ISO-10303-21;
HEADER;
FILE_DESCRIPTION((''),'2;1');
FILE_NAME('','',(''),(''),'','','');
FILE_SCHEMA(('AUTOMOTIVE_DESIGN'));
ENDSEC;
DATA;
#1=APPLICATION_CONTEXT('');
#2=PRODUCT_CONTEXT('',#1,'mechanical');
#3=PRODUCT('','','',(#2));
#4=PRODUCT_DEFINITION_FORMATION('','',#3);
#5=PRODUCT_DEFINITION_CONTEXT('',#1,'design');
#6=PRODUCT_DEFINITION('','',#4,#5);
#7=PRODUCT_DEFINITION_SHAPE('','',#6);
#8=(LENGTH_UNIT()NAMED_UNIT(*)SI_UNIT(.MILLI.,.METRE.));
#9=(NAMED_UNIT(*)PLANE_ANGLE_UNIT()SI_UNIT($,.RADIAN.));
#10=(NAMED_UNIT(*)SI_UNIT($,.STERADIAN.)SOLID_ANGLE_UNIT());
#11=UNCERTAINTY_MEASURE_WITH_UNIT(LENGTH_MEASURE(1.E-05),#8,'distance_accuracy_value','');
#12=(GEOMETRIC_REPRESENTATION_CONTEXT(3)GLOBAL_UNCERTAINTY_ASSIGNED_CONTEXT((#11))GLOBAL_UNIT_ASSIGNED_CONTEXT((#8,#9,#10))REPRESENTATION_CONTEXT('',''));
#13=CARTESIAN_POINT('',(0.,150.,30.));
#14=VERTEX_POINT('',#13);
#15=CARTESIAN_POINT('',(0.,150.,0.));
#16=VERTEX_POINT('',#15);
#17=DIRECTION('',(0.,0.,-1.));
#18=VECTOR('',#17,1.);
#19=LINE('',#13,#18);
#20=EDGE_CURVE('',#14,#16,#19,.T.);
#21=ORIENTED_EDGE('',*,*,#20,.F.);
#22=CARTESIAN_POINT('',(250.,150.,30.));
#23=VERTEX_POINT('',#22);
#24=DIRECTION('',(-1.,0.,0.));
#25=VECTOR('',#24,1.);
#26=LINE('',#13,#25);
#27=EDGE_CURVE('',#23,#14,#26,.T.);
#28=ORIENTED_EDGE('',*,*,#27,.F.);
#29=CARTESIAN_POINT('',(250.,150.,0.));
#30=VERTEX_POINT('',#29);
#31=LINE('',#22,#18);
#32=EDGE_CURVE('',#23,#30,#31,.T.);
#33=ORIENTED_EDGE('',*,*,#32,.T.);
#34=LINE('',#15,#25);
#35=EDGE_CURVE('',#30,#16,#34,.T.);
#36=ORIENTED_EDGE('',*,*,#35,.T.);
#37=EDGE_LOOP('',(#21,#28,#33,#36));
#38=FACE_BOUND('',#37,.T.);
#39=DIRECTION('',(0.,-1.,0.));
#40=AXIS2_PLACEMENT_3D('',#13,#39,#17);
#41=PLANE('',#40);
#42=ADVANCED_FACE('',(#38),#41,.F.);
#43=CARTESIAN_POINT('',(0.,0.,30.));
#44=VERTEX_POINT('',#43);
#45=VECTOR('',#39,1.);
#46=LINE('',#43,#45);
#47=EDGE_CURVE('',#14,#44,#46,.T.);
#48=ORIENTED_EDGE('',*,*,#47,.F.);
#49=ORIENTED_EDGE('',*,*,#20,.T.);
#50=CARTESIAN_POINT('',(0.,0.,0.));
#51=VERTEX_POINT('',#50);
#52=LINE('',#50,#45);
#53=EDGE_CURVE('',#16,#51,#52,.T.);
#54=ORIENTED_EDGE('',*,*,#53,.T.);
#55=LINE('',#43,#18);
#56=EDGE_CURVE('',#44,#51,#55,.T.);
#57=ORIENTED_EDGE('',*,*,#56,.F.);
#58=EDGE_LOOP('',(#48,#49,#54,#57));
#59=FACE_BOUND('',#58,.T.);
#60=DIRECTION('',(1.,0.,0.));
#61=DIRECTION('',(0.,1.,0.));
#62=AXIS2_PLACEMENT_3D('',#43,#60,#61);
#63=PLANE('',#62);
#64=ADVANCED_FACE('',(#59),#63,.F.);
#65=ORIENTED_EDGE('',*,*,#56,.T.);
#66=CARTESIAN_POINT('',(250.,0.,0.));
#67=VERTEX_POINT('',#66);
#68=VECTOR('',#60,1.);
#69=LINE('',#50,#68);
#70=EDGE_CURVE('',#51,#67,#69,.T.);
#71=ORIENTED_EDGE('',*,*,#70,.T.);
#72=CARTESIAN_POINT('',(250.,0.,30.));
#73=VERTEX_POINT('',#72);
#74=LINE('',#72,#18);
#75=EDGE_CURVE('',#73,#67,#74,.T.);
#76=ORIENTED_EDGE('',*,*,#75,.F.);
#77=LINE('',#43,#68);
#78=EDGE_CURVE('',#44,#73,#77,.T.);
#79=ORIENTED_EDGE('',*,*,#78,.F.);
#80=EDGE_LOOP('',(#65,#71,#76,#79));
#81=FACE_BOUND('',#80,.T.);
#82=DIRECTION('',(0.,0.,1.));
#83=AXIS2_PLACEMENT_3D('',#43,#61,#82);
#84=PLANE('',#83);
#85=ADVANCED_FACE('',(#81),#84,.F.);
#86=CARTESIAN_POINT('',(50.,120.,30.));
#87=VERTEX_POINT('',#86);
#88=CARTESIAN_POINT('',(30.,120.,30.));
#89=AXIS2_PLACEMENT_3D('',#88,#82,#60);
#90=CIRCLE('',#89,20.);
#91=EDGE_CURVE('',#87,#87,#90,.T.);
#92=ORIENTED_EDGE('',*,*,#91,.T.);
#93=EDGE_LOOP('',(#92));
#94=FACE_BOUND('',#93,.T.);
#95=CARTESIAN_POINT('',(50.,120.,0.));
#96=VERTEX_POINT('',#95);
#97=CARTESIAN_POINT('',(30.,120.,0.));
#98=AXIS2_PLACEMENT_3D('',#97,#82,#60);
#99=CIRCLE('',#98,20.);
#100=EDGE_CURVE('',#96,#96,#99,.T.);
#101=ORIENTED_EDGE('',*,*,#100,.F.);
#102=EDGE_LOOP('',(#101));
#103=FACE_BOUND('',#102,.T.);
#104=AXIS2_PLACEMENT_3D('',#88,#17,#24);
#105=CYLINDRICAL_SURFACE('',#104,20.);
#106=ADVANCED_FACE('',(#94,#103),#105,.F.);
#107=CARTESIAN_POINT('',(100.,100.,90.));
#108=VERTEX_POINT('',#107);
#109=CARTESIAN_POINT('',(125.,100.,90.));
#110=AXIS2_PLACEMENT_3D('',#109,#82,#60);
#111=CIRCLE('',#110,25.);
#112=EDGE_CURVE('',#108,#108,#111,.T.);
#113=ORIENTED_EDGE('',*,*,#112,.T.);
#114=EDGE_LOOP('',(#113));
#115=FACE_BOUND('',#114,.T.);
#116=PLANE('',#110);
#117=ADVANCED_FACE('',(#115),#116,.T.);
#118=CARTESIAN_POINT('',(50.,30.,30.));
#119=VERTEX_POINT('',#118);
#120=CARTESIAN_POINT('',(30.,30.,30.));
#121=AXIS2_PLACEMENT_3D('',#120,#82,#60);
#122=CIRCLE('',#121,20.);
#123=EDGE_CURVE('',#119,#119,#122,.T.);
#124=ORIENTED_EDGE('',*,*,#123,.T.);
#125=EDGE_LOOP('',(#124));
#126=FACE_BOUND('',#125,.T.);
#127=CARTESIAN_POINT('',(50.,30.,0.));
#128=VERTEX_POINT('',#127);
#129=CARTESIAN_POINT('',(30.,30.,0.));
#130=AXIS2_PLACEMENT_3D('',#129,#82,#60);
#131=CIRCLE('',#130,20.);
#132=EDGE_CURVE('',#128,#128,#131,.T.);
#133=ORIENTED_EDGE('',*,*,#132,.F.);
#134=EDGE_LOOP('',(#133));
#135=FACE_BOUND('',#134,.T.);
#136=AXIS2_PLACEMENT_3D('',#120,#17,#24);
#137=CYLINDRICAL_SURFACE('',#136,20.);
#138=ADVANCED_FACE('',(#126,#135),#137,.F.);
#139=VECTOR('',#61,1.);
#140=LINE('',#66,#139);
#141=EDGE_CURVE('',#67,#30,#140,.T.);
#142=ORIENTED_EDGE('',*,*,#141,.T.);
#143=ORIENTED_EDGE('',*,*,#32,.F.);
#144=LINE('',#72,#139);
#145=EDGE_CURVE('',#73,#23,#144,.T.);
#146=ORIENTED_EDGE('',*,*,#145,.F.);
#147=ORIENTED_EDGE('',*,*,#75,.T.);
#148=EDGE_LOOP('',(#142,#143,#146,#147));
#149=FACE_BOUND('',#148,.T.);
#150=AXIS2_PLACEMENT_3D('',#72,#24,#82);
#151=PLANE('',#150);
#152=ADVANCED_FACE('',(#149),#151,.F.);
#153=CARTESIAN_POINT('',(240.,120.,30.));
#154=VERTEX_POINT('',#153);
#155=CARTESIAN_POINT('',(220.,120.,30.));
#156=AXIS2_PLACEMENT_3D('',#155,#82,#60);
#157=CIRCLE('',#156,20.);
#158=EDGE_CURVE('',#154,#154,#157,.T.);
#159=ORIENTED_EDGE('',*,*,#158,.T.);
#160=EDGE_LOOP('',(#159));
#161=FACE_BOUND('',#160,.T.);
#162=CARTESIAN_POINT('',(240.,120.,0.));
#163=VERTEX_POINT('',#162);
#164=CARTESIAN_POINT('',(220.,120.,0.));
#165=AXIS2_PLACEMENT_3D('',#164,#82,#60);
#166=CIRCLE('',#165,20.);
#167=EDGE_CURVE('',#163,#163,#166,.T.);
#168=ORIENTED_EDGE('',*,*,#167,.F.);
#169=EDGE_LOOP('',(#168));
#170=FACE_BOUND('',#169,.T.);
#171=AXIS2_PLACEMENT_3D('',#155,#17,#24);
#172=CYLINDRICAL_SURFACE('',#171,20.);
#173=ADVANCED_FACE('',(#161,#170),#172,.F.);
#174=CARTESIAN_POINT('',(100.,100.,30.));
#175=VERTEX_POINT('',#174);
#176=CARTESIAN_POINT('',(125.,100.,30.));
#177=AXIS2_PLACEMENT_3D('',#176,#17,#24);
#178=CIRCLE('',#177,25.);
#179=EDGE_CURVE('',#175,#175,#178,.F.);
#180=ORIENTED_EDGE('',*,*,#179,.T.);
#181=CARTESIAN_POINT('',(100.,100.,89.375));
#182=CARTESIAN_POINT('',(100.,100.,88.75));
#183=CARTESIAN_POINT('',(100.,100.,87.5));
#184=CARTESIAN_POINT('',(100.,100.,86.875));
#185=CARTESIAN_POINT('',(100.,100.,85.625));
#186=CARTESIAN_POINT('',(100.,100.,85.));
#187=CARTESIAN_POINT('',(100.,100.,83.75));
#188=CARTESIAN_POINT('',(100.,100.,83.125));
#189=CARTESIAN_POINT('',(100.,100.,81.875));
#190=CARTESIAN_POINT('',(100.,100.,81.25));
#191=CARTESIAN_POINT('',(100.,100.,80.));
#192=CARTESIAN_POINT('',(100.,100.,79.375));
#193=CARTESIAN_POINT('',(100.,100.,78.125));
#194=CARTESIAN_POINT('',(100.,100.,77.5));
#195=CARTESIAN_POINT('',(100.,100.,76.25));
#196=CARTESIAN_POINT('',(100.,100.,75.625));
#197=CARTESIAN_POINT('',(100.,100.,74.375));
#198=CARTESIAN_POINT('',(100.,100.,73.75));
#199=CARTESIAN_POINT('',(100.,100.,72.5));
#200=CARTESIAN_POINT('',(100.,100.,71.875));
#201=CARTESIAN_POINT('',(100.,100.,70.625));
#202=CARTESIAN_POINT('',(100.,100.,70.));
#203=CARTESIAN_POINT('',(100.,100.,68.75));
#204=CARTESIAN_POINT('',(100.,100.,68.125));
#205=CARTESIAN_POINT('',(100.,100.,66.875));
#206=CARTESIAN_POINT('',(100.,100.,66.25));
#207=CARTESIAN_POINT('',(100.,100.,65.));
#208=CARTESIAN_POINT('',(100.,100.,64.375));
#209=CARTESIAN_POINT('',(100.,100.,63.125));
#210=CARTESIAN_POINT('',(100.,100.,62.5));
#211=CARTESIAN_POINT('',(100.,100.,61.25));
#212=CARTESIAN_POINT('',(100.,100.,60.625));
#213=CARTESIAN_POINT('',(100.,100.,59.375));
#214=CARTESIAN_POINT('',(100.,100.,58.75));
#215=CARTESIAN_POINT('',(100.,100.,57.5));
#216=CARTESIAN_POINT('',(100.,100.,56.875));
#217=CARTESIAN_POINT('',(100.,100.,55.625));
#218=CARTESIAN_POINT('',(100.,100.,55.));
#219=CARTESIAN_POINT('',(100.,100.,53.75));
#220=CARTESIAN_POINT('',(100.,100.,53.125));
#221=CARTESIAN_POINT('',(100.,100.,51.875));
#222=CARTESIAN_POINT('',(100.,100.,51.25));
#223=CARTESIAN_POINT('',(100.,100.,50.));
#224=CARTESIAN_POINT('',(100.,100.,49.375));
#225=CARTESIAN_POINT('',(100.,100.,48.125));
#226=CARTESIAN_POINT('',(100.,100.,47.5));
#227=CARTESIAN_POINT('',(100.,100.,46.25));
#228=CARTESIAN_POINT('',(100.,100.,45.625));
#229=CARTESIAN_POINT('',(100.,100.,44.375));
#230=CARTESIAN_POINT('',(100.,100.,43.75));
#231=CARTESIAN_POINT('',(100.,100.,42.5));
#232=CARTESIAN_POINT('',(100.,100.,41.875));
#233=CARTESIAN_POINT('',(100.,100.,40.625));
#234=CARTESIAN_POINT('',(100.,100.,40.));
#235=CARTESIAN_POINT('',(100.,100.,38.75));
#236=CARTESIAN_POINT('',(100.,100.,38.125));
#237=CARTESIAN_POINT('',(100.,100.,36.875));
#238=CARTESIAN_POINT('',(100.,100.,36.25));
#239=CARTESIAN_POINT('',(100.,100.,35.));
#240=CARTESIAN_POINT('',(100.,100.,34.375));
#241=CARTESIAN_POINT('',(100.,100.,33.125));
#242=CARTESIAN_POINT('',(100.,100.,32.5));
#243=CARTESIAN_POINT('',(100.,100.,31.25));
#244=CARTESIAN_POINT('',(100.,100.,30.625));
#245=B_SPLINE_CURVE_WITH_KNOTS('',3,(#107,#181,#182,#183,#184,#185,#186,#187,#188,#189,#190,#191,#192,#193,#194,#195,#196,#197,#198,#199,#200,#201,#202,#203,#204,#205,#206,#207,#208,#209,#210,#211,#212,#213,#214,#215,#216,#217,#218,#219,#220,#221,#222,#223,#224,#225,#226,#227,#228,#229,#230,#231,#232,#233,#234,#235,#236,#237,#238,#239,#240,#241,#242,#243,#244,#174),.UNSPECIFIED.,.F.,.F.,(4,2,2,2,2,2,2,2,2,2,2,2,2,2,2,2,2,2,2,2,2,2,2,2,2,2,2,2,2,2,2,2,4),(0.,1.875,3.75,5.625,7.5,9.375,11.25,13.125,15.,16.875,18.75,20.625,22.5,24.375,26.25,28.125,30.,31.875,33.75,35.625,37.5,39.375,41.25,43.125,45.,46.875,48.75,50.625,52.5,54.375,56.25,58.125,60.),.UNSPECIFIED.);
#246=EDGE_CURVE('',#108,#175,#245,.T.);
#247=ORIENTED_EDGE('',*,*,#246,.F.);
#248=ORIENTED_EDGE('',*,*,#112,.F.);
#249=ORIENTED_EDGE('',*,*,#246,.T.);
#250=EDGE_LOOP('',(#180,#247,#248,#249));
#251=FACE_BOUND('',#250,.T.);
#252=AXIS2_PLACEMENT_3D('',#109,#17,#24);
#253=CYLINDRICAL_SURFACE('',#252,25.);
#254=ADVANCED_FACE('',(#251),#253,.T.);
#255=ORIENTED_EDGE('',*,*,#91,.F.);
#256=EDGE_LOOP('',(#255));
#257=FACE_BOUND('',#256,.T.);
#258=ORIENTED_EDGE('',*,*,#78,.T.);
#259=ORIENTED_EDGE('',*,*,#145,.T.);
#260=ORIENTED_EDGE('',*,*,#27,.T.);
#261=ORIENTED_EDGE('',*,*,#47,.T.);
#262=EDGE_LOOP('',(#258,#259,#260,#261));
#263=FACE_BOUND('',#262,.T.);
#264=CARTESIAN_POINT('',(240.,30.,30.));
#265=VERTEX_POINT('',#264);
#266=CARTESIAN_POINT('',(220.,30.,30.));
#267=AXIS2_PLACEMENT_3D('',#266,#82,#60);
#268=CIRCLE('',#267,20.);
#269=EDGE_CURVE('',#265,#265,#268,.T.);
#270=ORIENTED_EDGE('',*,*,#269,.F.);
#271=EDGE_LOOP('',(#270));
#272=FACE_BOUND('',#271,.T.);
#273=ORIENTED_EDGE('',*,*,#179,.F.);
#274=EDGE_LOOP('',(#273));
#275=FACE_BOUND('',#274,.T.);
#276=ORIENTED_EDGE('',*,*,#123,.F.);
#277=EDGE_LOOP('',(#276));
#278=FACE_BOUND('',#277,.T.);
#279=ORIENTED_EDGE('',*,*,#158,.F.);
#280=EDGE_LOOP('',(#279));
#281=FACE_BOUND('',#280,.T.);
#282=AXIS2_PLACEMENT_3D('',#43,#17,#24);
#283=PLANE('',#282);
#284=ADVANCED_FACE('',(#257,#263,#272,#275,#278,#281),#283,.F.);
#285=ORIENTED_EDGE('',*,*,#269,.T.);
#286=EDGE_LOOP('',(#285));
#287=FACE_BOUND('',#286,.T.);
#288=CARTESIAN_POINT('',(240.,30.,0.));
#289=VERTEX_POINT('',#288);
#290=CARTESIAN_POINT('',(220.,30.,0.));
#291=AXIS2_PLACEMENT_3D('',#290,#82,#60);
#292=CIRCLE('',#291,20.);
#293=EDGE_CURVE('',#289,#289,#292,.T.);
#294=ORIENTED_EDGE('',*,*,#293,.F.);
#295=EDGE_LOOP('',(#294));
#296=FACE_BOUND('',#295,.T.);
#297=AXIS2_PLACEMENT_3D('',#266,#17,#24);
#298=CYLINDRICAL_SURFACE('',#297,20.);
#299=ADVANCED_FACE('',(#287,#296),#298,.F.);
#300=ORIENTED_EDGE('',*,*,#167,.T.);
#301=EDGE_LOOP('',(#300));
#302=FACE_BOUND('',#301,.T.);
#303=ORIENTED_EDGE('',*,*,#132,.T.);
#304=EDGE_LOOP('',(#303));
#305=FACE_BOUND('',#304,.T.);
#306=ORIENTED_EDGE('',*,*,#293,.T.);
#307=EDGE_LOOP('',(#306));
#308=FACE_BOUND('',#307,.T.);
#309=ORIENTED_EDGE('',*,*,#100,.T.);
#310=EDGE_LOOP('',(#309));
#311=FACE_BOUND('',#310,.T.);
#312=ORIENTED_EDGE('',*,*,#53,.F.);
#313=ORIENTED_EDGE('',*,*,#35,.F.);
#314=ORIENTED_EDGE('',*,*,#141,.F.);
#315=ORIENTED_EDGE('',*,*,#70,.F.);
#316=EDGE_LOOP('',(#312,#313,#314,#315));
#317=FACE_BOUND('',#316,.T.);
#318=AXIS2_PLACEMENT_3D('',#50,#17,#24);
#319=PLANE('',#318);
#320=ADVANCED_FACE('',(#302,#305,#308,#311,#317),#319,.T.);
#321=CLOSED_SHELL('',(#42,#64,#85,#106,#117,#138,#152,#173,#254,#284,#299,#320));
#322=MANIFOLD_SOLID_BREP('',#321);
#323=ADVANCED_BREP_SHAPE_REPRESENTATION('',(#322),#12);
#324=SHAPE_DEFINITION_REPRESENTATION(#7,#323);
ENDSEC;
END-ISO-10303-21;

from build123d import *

# Parameters (mm, degrees)
SKETCH1_W           = 250
SKETCH1_H           = 150
SKETCH1_R           = 20
BOSS_EXTRUDE1_DEPTH = 30
SKETCH2_R           = 25
BOSS_EXTRUDE3_DEPTH = 90


with BuildPart() as part:
    # Sketch1 → Boss-Extrude1 (new body)
    with BuildSketch(Plane.XY):
        with Locations((125, 75)):
            Rectangle(SKETCH1_W, SKETCH1_H)
        with Locations((30, 30)):
            Circle(SKETCH1_R, mode=Mode.SUBTRACT)
        with Locations((220, 30)):
            Circle(SKETCH1_R, mode=Mode.SUBTRACT)
        with Locations((220, 120)):
            Circle(SKETCH1_R, mode=Mode.SUBTRACT)
        with Locations((30, 120)):
            Circle(SKETCH1_R, mode=Mode.SUBTRACT)
    extrude(amount=BOSS_EXTRUDE1_DEPTH)

    # Sketch2 → Boss-Extrude3 (add)
    with BuildSketch(Plane.XY):
        with Locations(Location((125, 100, 0), (0, 0, 180))):
            Circle(SKETCH2_R)
    extrude(amount=BOSS_EXTRUDE3_DEPTH)


solid = part.part
